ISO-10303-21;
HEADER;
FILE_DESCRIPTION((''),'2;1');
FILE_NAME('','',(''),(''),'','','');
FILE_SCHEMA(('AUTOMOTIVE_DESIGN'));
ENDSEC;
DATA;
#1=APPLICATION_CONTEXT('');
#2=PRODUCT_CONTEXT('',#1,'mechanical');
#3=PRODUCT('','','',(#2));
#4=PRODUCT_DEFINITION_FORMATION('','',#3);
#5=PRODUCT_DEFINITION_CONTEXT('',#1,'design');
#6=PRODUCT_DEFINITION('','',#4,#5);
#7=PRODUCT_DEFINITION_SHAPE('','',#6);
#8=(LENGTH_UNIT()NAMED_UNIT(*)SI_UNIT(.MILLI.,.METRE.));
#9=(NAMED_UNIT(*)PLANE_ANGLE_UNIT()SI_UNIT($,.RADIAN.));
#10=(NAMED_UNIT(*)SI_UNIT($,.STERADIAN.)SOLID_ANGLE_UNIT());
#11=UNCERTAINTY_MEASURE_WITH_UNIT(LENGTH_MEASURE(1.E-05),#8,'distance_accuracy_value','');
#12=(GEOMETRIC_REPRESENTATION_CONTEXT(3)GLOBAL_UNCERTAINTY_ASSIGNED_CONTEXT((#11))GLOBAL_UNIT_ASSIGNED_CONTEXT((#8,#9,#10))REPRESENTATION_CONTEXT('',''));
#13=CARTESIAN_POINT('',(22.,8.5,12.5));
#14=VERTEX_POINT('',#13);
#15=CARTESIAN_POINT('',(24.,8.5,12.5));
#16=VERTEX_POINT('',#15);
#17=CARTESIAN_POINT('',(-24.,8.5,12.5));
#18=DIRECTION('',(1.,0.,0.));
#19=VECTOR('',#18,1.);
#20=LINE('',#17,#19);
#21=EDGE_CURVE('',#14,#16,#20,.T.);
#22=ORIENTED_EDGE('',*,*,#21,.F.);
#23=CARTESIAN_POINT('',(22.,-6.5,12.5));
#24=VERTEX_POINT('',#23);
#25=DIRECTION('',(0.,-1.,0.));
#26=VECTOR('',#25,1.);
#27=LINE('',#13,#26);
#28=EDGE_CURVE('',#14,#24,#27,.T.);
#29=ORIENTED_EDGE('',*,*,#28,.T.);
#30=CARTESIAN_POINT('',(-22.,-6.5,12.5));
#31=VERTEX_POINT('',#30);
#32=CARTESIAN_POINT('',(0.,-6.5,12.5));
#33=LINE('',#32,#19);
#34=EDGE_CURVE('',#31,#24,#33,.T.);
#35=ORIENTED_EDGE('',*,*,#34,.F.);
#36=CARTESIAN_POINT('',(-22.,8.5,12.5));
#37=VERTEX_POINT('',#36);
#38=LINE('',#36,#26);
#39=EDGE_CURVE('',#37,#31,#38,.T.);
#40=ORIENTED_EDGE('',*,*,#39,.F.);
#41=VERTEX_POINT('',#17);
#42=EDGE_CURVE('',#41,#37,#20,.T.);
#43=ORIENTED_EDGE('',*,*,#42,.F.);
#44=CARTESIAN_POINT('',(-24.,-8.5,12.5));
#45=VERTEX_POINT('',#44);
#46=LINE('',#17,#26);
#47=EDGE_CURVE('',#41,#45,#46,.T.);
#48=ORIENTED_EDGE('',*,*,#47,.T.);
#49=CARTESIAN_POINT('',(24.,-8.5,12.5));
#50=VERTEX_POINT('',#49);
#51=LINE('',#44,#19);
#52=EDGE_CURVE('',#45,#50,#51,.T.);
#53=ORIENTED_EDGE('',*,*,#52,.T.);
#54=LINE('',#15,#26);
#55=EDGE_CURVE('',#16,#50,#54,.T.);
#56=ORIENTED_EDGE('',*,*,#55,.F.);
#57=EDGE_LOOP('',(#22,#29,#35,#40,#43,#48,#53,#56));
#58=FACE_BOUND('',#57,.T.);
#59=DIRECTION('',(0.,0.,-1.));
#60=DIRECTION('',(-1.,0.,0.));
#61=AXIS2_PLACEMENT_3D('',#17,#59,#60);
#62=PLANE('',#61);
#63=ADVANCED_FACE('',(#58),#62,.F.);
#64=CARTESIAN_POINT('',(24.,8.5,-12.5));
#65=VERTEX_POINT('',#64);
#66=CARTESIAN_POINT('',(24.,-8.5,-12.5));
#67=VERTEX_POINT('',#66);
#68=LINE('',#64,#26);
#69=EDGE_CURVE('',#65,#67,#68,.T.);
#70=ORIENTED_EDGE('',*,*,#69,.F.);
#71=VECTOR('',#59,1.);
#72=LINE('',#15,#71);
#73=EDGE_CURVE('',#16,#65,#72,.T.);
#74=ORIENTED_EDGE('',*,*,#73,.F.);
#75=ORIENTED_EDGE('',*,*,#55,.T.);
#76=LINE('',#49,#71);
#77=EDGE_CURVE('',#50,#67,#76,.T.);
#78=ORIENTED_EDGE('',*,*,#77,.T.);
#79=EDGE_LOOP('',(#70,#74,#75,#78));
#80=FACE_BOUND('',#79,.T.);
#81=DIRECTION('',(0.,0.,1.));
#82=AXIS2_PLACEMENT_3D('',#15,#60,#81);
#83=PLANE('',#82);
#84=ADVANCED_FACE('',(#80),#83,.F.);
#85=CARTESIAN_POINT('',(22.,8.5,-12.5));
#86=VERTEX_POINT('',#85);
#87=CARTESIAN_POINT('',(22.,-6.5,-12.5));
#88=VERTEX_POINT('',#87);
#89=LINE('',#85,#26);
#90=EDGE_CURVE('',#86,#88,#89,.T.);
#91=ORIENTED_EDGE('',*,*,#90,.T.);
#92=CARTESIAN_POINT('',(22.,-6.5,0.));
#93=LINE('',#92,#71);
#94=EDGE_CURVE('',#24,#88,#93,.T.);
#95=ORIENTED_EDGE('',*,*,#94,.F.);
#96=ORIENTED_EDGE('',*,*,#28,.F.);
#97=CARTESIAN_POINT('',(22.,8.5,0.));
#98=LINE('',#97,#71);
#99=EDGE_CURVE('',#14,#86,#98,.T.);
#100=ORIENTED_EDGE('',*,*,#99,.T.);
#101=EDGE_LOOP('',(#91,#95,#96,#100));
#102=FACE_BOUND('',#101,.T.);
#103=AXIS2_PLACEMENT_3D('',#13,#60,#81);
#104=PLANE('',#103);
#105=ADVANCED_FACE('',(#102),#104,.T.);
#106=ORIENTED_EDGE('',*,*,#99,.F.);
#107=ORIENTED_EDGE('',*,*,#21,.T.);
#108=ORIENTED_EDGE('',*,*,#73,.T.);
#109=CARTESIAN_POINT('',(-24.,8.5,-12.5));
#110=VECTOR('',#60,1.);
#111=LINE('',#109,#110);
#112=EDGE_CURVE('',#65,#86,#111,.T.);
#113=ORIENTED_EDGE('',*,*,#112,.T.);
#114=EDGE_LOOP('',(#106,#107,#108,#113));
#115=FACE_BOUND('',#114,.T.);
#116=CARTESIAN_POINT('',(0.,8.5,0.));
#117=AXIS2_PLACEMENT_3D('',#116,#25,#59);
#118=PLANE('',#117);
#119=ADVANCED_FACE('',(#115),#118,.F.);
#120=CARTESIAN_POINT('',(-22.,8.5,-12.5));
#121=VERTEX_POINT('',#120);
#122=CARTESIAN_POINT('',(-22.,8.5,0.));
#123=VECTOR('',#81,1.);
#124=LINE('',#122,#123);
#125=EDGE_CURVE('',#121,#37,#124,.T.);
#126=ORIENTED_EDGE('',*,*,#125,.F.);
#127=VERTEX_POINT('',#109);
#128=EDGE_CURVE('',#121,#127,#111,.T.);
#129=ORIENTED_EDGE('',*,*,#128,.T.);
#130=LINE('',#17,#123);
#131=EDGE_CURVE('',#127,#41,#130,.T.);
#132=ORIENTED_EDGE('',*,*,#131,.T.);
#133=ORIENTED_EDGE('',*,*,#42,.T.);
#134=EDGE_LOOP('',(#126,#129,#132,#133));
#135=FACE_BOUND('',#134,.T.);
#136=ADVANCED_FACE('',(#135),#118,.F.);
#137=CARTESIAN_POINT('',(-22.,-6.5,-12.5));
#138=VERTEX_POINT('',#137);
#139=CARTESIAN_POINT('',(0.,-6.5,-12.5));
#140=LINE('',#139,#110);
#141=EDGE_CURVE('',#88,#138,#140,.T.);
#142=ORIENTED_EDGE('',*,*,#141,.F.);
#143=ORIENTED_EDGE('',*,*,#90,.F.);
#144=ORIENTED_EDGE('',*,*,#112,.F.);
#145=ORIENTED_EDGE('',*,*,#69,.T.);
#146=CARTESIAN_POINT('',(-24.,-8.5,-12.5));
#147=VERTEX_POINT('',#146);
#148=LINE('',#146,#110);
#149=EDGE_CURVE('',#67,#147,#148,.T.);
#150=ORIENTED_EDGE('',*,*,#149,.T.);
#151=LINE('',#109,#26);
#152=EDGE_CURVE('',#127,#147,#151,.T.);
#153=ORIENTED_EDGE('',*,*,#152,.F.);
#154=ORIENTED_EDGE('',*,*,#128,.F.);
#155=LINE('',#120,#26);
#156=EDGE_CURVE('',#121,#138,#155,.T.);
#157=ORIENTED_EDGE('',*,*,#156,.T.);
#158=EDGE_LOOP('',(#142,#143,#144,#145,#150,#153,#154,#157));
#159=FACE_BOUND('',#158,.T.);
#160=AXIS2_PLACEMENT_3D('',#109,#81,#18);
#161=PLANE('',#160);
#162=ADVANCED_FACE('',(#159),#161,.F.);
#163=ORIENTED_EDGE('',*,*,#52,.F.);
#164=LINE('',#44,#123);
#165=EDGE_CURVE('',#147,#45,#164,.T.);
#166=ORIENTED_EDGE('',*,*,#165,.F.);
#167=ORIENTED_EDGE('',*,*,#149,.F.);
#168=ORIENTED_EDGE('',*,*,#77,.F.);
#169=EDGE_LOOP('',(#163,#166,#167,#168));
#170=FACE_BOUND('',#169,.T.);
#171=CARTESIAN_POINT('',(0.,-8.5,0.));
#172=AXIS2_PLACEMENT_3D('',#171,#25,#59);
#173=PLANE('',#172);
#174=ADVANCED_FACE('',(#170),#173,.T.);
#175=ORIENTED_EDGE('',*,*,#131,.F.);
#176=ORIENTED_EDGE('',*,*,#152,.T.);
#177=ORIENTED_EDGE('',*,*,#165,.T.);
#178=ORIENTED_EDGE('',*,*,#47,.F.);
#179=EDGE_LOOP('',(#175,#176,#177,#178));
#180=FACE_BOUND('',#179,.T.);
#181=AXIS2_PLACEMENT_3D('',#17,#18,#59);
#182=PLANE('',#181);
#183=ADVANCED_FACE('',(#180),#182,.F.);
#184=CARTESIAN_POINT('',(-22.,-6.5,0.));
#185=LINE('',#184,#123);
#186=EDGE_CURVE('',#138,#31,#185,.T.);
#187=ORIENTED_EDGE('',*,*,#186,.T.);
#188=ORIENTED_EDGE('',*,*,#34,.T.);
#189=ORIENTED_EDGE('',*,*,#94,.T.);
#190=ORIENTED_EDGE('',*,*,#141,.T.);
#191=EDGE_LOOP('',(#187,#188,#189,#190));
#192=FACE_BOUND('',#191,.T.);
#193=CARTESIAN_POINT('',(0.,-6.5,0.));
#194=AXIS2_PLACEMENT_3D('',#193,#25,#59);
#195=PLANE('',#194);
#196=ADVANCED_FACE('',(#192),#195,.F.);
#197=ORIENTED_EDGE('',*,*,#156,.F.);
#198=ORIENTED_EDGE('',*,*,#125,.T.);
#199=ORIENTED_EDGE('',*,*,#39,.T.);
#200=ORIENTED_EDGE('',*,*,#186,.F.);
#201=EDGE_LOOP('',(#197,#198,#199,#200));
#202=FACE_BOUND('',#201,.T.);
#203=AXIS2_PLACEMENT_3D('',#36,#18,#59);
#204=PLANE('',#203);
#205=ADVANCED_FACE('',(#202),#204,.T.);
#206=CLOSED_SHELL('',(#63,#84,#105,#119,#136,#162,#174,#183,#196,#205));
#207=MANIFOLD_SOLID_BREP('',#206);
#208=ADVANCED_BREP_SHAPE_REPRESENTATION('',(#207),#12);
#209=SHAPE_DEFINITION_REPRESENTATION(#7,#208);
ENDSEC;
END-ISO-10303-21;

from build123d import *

# Parameters (mm, degrees)
ESBO_O1_W                = 48
ESBO_O1_H                = 25
RESSALTO_EXTRUS_O1_DEPTH = 8.5
CASCA1_T                 = -2


with BuildPart() as part:
    # Esboço1 → Ressalto-extrusão1 (new, symmetric)
    with BuildSketch(Plane(origin=(0, 0, 0), x_dir=(1, 0, 0), z_dir=(0, 1, 0))):
        Rectangle(ESBO_O1_W, ESBO_O1_H)
    extrude(amount=RESSALTO_EXTRUS_O1_DEPTH, both=True)

    # Casca1
    casca1_openings = [part.faces().sort_by_distance(p)[0] for p in [
        (0, 8.5, 0),
        (0, 0, 12.5),
        (0, 0, -12.5),
    ]]
    offset(amount=CASCA1_T, openings=casca1_openings, kind=Kind.INTERSECTION)


solid = part.part
